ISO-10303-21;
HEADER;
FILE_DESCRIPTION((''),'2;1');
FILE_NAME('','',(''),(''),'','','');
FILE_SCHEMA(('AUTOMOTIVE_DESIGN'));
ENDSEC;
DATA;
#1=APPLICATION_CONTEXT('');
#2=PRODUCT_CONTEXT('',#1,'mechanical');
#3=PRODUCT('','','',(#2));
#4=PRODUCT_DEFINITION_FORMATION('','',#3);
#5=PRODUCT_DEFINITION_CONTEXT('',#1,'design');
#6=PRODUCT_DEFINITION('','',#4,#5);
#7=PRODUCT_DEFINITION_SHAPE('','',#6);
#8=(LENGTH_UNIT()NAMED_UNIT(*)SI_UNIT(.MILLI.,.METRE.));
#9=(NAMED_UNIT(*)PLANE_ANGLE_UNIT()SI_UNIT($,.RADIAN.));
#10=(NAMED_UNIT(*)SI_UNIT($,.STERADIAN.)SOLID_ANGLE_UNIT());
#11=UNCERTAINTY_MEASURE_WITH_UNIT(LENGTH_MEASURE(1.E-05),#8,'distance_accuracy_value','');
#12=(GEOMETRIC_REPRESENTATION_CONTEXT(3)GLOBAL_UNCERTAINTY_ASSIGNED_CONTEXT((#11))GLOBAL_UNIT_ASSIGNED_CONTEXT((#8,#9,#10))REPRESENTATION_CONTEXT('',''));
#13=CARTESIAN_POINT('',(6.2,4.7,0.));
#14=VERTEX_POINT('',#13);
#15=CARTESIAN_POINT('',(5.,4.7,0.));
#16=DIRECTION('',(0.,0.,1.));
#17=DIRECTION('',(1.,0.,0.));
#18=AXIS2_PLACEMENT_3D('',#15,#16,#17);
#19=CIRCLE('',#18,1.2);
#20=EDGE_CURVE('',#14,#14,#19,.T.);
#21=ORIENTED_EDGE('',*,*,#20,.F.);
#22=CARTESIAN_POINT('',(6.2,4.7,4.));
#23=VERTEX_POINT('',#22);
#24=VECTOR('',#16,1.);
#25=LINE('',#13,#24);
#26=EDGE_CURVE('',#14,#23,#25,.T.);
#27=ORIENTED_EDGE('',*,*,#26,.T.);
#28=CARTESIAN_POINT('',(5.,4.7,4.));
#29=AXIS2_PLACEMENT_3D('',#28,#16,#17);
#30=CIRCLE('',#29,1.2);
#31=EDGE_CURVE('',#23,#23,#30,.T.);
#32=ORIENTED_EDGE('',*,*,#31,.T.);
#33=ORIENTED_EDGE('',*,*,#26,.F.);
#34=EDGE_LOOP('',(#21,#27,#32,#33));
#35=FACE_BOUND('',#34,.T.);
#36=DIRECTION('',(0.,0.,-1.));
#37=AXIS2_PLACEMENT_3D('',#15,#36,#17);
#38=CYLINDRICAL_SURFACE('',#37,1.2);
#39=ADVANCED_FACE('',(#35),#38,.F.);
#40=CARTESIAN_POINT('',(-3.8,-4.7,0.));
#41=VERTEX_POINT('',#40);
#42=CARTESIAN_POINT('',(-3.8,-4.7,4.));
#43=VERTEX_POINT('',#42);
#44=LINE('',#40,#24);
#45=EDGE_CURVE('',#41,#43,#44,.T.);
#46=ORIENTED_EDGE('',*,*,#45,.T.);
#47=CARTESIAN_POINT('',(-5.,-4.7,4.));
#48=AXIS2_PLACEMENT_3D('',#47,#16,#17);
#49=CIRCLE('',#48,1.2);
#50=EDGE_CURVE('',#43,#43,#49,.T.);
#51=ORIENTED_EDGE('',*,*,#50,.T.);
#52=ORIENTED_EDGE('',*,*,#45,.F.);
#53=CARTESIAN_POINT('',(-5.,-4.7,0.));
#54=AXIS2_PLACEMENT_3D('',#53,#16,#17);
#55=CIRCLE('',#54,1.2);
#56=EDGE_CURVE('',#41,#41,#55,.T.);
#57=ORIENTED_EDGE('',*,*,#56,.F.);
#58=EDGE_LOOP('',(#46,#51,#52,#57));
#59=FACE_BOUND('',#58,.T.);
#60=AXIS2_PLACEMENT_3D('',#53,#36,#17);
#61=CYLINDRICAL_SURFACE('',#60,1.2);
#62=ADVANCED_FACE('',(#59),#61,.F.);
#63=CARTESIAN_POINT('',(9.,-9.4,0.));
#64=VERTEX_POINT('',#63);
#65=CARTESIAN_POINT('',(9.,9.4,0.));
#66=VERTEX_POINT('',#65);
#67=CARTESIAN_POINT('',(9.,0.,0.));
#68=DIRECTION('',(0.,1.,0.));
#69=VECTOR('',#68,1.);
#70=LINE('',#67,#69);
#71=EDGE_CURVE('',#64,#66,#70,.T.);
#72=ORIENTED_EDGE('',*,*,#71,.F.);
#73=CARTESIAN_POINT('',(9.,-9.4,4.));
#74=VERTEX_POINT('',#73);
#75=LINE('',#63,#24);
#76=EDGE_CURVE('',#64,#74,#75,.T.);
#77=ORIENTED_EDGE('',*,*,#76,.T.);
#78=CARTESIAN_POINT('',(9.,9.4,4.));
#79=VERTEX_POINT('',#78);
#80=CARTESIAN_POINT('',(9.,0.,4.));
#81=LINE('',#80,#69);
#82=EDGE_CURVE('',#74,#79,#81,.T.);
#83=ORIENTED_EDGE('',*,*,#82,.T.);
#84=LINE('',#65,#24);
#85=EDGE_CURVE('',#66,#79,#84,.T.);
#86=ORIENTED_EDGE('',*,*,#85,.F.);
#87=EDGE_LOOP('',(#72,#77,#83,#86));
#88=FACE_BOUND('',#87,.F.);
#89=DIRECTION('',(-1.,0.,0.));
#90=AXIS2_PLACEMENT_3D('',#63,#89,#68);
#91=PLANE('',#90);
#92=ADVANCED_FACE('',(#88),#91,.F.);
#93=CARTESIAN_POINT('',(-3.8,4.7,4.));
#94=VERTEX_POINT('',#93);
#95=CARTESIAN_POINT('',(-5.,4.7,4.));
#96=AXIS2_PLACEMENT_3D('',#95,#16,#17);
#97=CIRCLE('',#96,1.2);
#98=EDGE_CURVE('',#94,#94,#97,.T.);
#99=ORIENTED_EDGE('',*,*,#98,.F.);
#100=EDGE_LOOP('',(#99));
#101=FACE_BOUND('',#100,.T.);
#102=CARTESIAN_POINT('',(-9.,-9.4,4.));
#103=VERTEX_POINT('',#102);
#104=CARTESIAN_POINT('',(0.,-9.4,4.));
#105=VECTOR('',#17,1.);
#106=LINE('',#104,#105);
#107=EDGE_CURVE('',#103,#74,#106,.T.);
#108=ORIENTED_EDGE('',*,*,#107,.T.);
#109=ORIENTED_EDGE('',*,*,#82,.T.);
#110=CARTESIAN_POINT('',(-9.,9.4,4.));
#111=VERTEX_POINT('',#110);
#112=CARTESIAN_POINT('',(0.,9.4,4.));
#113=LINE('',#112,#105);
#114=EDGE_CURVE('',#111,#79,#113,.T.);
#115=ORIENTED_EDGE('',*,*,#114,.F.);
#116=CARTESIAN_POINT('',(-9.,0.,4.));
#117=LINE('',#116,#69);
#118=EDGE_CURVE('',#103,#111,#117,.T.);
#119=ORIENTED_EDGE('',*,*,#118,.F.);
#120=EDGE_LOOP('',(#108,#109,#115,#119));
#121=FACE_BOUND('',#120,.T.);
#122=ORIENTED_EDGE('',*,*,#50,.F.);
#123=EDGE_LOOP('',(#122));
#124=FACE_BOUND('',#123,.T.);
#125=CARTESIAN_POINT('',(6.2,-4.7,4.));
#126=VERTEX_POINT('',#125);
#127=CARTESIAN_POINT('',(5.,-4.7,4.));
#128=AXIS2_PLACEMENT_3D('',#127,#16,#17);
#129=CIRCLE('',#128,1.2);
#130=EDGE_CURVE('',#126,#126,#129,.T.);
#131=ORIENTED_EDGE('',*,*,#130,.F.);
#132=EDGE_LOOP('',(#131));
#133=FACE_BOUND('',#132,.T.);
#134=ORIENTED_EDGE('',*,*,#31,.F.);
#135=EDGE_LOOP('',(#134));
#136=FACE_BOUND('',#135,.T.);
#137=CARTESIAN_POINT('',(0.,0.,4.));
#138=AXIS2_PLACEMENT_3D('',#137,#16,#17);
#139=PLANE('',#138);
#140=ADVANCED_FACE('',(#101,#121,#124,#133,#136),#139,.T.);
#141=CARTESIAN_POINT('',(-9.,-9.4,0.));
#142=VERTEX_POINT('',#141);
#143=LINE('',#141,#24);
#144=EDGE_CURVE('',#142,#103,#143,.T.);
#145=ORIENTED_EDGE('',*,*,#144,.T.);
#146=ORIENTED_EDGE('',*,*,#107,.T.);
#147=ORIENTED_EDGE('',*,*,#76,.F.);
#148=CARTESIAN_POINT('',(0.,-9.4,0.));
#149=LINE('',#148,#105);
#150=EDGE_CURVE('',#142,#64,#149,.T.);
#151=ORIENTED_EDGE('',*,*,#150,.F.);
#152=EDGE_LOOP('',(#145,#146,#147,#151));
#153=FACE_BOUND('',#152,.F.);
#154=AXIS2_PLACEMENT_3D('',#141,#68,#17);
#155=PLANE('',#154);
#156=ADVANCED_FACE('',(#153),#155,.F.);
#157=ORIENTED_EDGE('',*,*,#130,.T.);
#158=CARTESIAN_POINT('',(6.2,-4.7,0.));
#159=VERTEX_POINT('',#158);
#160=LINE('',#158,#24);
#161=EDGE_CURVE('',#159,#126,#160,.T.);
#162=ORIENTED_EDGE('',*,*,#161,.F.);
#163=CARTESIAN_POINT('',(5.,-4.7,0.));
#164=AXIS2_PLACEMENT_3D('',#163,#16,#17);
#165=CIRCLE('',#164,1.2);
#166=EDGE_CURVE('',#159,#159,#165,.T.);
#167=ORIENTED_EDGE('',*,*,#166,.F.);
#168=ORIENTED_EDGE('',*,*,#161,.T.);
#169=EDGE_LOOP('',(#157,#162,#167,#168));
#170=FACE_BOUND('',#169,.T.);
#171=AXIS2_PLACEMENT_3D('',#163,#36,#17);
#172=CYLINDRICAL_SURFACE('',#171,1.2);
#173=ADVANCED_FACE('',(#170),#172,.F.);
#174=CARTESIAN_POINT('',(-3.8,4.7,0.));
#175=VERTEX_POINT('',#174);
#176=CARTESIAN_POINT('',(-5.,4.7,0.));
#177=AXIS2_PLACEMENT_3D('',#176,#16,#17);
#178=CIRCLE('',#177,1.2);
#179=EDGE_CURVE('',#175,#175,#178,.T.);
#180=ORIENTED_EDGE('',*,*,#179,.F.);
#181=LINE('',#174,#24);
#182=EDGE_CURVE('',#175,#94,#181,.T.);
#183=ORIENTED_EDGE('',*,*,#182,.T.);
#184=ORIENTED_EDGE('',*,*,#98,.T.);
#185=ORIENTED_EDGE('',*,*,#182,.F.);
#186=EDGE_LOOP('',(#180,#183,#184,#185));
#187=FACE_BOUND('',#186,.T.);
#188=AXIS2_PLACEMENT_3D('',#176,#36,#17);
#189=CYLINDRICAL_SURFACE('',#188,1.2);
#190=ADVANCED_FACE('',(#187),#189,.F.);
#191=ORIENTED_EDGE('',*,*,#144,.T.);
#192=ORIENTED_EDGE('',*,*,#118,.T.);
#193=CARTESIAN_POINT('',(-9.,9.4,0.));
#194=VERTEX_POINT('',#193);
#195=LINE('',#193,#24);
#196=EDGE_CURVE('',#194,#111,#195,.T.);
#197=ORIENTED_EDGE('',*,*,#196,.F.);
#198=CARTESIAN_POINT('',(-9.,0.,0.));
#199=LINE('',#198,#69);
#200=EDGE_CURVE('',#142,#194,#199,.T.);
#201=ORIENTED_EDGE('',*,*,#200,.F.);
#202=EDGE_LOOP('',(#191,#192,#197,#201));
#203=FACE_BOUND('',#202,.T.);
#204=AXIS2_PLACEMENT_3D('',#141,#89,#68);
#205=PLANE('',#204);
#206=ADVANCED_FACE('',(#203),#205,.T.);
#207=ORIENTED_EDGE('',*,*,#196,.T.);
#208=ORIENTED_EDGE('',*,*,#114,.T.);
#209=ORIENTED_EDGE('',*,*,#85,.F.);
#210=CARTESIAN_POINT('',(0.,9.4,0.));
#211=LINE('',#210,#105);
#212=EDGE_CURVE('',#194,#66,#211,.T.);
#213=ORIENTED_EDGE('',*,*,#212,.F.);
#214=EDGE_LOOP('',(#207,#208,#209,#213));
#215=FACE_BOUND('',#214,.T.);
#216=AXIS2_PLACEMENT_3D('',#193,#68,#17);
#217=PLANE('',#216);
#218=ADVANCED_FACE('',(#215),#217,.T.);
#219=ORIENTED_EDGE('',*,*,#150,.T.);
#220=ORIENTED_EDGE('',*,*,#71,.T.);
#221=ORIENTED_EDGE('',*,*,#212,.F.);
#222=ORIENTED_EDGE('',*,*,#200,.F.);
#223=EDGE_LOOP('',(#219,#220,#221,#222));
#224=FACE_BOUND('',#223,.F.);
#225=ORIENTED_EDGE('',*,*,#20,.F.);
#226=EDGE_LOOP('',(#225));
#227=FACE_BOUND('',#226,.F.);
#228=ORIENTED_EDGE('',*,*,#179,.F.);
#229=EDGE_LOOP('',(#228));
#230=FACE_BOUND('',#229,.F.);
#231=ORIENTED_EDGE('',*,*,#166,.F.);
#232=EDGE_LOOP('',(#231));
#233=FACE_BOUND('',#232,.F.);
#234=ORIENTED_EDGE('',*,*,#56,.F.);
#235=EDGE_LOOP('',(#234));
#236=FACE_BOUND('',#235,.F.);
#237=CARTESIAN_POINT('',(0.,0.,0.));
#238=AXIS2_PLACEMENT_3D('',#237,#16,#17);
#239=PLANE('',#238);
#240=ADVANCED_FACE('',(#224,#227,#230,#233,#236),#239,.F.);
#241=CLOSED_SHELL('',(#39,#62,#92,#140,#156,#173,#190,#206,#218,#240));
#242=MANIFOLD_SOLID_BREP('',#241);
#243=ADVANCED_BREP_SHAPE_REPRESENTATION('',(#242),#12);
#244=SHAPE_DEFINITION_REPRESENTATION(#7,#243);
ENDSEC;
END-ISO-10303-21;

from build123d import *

# Parameters (mm, degrees)
ESQUISSE1_W        = 18
ESQUISSE1_H        = 18.8
ESQUISSE1_R        = 1.2
BOSS_EXTRU_1_DEPTH = 4


with BuildPart() as part:
    # Esquisse1 → Boss.-Extru.1 (new body)
    with BuildSketch(Plane.XY):
        Rectangle(ESQUISSE1_W, ESQUISSE1_H)
        with Locations((-5, 4.7)):
            Circle(ESQUISSE1_R, mode=Mode.SUBTRACT)
        with Locations((5, 4.7)):
            Circle(ESQUISSE1_R, mode=Mode.SUBTRACT)
        with Locations((5, -4.7)):
            Circle(ESQUISSE1_R, mode=Mode.SUBTRACT)
        with Locations((-5, -4.7)):
            Circle(ESQUISSE1_R, mode=Mode.SUBTRACT)
    extrude(amount=BOSS_EXTRU_1_DEPTH)


solid = part.part
